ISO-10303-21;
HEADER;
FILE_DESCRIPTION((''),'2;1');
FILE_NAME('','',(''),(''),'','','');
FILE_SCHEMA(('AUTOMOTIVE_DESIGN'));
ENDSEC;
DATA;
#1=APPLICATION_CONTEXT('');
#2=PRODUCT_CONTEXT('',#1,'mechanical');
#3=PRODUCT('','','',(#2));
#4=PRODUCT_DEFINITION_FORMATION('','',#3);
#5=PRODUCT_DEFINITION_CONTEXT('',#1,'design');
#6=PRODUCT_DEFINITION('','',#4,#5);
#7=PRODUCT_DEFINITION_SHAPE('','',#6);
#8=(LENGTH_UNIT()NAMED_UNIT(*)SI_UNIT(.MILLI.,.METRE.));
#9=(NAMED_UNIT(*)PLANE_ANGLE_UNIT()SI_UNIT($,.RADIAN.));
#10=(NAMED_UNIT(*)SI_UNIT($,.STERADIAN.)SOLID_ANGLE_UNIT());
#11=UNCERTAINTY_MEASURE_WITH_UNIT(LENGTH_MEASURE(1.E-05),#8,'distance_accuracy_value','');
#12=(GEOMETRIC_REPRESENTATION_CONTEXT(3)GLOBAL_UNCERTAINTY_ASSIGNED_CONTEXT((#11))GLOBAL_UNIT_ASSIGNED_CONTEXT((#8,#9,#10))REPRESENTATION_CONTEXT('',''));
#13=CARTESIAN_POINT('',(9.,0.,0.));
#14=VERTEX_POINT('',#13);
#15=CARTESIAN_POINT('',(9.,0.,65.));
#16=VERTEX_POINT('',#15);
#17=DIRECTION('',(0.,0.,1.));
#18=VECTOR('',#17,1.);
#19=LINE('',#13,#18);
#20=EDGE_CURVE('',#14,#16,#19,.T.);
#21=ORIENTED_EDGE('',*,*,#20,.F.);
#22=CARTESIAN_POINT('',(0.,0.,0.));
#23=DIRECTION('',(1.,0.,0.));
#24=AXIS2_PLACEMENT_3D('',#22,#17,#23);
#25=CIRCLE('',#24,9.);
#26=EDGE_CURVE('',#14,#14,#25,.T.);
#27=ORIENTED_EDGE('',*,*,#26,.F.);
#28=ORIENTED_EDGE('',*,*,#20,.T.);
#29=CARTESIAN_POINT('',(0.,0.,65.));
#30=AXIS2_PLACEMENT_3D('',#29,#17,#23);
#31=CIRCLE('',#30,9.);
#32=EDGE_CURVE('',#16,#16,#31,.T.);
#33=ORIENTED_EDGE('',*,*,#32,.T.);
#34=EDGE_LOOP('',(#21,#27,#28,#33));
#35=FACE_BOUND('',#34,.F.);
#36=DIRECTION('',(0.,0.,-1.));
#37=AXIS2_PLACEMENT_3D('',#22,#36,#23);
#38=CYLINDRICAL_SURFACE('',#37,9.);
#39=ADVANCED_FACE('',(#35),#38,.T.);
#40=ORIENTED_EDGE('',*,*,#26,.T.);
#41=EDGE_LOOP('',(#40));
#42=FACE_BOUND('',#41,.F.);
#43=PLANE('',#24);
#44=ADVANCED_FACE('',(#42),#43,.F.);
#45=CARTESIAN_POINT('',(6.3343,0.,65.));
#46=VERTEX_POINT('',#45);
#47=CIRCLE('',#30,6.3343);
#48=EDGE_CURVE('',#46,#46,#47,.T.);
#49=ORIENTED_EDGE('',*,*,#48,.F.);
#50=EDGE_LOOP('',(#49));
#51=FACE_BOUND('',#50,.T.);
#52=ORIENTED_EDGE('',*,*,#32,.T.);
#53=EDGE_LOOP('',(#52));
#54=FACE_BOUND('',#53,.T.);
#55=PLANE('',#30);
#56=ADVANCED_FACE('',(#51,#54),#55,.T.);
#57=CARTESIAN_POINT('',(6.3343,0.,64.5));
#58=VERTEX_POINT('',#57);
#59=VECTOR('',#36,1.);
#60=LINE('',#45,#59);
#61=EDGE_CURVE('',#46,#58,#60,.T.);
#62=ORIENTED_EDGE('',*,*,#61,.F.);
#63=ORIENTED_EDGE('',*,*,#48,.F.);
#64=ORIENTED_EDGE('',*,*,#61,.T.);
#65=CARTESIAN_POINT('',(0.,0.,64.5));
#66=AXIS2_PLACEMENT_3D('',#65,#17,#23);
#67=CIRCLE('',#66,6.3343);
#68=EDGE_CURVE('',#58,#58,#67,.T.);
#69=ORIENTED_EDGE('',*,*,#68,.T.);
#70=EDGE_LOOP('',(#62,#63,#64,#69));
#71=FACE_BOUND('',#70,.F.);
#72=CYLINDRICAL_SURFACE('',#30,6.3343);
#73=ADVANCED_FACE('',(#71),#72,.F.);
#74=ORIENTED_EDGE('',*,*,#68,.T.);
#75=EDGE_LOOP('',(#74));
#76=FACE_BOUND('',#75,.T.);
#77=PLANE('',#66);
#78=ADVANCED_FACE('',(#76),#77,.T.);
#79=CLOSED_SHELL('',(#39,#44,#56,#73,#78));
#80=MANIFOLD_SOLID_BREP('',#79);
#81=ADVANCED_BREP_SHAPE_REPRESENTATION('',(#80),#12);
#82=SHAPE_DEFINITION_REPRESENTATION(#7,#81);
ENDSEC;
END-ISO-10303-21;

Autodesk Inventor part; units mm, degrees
ref_plane "YZ Plane" through (0, 0, 0) normal (1, 0, 0) x (0, 1, 0)
ref_plane "XZ Plane" through (0, 0, 0) normal (0, 1, 0) x (-1, 0, 0)
ref_plane "XY Plane" through (0, 0, 0) normal (0, 0, 1) x (1, 0, 0)
sketch "Эскиз1" plane through (0, 0, 0) normal (0, 0, 1) x (1, 0, 0)
  circle A0 centre (0, 0) radius 9
  dimension "d0" = 18
extrude "Выдавливание1" add sketch "Эскиз1" along normal blind 65
sketch "Эскиз2" plane through (0, 0, 65) normal (0, 0, 1) x (1, 0, 0)
  circle A0 centre (0, 0) radius 6.3343
extrude "Выдавливание2" cut sketch "Эскиз2" against normal blind 0.5
properties part number "18650"
